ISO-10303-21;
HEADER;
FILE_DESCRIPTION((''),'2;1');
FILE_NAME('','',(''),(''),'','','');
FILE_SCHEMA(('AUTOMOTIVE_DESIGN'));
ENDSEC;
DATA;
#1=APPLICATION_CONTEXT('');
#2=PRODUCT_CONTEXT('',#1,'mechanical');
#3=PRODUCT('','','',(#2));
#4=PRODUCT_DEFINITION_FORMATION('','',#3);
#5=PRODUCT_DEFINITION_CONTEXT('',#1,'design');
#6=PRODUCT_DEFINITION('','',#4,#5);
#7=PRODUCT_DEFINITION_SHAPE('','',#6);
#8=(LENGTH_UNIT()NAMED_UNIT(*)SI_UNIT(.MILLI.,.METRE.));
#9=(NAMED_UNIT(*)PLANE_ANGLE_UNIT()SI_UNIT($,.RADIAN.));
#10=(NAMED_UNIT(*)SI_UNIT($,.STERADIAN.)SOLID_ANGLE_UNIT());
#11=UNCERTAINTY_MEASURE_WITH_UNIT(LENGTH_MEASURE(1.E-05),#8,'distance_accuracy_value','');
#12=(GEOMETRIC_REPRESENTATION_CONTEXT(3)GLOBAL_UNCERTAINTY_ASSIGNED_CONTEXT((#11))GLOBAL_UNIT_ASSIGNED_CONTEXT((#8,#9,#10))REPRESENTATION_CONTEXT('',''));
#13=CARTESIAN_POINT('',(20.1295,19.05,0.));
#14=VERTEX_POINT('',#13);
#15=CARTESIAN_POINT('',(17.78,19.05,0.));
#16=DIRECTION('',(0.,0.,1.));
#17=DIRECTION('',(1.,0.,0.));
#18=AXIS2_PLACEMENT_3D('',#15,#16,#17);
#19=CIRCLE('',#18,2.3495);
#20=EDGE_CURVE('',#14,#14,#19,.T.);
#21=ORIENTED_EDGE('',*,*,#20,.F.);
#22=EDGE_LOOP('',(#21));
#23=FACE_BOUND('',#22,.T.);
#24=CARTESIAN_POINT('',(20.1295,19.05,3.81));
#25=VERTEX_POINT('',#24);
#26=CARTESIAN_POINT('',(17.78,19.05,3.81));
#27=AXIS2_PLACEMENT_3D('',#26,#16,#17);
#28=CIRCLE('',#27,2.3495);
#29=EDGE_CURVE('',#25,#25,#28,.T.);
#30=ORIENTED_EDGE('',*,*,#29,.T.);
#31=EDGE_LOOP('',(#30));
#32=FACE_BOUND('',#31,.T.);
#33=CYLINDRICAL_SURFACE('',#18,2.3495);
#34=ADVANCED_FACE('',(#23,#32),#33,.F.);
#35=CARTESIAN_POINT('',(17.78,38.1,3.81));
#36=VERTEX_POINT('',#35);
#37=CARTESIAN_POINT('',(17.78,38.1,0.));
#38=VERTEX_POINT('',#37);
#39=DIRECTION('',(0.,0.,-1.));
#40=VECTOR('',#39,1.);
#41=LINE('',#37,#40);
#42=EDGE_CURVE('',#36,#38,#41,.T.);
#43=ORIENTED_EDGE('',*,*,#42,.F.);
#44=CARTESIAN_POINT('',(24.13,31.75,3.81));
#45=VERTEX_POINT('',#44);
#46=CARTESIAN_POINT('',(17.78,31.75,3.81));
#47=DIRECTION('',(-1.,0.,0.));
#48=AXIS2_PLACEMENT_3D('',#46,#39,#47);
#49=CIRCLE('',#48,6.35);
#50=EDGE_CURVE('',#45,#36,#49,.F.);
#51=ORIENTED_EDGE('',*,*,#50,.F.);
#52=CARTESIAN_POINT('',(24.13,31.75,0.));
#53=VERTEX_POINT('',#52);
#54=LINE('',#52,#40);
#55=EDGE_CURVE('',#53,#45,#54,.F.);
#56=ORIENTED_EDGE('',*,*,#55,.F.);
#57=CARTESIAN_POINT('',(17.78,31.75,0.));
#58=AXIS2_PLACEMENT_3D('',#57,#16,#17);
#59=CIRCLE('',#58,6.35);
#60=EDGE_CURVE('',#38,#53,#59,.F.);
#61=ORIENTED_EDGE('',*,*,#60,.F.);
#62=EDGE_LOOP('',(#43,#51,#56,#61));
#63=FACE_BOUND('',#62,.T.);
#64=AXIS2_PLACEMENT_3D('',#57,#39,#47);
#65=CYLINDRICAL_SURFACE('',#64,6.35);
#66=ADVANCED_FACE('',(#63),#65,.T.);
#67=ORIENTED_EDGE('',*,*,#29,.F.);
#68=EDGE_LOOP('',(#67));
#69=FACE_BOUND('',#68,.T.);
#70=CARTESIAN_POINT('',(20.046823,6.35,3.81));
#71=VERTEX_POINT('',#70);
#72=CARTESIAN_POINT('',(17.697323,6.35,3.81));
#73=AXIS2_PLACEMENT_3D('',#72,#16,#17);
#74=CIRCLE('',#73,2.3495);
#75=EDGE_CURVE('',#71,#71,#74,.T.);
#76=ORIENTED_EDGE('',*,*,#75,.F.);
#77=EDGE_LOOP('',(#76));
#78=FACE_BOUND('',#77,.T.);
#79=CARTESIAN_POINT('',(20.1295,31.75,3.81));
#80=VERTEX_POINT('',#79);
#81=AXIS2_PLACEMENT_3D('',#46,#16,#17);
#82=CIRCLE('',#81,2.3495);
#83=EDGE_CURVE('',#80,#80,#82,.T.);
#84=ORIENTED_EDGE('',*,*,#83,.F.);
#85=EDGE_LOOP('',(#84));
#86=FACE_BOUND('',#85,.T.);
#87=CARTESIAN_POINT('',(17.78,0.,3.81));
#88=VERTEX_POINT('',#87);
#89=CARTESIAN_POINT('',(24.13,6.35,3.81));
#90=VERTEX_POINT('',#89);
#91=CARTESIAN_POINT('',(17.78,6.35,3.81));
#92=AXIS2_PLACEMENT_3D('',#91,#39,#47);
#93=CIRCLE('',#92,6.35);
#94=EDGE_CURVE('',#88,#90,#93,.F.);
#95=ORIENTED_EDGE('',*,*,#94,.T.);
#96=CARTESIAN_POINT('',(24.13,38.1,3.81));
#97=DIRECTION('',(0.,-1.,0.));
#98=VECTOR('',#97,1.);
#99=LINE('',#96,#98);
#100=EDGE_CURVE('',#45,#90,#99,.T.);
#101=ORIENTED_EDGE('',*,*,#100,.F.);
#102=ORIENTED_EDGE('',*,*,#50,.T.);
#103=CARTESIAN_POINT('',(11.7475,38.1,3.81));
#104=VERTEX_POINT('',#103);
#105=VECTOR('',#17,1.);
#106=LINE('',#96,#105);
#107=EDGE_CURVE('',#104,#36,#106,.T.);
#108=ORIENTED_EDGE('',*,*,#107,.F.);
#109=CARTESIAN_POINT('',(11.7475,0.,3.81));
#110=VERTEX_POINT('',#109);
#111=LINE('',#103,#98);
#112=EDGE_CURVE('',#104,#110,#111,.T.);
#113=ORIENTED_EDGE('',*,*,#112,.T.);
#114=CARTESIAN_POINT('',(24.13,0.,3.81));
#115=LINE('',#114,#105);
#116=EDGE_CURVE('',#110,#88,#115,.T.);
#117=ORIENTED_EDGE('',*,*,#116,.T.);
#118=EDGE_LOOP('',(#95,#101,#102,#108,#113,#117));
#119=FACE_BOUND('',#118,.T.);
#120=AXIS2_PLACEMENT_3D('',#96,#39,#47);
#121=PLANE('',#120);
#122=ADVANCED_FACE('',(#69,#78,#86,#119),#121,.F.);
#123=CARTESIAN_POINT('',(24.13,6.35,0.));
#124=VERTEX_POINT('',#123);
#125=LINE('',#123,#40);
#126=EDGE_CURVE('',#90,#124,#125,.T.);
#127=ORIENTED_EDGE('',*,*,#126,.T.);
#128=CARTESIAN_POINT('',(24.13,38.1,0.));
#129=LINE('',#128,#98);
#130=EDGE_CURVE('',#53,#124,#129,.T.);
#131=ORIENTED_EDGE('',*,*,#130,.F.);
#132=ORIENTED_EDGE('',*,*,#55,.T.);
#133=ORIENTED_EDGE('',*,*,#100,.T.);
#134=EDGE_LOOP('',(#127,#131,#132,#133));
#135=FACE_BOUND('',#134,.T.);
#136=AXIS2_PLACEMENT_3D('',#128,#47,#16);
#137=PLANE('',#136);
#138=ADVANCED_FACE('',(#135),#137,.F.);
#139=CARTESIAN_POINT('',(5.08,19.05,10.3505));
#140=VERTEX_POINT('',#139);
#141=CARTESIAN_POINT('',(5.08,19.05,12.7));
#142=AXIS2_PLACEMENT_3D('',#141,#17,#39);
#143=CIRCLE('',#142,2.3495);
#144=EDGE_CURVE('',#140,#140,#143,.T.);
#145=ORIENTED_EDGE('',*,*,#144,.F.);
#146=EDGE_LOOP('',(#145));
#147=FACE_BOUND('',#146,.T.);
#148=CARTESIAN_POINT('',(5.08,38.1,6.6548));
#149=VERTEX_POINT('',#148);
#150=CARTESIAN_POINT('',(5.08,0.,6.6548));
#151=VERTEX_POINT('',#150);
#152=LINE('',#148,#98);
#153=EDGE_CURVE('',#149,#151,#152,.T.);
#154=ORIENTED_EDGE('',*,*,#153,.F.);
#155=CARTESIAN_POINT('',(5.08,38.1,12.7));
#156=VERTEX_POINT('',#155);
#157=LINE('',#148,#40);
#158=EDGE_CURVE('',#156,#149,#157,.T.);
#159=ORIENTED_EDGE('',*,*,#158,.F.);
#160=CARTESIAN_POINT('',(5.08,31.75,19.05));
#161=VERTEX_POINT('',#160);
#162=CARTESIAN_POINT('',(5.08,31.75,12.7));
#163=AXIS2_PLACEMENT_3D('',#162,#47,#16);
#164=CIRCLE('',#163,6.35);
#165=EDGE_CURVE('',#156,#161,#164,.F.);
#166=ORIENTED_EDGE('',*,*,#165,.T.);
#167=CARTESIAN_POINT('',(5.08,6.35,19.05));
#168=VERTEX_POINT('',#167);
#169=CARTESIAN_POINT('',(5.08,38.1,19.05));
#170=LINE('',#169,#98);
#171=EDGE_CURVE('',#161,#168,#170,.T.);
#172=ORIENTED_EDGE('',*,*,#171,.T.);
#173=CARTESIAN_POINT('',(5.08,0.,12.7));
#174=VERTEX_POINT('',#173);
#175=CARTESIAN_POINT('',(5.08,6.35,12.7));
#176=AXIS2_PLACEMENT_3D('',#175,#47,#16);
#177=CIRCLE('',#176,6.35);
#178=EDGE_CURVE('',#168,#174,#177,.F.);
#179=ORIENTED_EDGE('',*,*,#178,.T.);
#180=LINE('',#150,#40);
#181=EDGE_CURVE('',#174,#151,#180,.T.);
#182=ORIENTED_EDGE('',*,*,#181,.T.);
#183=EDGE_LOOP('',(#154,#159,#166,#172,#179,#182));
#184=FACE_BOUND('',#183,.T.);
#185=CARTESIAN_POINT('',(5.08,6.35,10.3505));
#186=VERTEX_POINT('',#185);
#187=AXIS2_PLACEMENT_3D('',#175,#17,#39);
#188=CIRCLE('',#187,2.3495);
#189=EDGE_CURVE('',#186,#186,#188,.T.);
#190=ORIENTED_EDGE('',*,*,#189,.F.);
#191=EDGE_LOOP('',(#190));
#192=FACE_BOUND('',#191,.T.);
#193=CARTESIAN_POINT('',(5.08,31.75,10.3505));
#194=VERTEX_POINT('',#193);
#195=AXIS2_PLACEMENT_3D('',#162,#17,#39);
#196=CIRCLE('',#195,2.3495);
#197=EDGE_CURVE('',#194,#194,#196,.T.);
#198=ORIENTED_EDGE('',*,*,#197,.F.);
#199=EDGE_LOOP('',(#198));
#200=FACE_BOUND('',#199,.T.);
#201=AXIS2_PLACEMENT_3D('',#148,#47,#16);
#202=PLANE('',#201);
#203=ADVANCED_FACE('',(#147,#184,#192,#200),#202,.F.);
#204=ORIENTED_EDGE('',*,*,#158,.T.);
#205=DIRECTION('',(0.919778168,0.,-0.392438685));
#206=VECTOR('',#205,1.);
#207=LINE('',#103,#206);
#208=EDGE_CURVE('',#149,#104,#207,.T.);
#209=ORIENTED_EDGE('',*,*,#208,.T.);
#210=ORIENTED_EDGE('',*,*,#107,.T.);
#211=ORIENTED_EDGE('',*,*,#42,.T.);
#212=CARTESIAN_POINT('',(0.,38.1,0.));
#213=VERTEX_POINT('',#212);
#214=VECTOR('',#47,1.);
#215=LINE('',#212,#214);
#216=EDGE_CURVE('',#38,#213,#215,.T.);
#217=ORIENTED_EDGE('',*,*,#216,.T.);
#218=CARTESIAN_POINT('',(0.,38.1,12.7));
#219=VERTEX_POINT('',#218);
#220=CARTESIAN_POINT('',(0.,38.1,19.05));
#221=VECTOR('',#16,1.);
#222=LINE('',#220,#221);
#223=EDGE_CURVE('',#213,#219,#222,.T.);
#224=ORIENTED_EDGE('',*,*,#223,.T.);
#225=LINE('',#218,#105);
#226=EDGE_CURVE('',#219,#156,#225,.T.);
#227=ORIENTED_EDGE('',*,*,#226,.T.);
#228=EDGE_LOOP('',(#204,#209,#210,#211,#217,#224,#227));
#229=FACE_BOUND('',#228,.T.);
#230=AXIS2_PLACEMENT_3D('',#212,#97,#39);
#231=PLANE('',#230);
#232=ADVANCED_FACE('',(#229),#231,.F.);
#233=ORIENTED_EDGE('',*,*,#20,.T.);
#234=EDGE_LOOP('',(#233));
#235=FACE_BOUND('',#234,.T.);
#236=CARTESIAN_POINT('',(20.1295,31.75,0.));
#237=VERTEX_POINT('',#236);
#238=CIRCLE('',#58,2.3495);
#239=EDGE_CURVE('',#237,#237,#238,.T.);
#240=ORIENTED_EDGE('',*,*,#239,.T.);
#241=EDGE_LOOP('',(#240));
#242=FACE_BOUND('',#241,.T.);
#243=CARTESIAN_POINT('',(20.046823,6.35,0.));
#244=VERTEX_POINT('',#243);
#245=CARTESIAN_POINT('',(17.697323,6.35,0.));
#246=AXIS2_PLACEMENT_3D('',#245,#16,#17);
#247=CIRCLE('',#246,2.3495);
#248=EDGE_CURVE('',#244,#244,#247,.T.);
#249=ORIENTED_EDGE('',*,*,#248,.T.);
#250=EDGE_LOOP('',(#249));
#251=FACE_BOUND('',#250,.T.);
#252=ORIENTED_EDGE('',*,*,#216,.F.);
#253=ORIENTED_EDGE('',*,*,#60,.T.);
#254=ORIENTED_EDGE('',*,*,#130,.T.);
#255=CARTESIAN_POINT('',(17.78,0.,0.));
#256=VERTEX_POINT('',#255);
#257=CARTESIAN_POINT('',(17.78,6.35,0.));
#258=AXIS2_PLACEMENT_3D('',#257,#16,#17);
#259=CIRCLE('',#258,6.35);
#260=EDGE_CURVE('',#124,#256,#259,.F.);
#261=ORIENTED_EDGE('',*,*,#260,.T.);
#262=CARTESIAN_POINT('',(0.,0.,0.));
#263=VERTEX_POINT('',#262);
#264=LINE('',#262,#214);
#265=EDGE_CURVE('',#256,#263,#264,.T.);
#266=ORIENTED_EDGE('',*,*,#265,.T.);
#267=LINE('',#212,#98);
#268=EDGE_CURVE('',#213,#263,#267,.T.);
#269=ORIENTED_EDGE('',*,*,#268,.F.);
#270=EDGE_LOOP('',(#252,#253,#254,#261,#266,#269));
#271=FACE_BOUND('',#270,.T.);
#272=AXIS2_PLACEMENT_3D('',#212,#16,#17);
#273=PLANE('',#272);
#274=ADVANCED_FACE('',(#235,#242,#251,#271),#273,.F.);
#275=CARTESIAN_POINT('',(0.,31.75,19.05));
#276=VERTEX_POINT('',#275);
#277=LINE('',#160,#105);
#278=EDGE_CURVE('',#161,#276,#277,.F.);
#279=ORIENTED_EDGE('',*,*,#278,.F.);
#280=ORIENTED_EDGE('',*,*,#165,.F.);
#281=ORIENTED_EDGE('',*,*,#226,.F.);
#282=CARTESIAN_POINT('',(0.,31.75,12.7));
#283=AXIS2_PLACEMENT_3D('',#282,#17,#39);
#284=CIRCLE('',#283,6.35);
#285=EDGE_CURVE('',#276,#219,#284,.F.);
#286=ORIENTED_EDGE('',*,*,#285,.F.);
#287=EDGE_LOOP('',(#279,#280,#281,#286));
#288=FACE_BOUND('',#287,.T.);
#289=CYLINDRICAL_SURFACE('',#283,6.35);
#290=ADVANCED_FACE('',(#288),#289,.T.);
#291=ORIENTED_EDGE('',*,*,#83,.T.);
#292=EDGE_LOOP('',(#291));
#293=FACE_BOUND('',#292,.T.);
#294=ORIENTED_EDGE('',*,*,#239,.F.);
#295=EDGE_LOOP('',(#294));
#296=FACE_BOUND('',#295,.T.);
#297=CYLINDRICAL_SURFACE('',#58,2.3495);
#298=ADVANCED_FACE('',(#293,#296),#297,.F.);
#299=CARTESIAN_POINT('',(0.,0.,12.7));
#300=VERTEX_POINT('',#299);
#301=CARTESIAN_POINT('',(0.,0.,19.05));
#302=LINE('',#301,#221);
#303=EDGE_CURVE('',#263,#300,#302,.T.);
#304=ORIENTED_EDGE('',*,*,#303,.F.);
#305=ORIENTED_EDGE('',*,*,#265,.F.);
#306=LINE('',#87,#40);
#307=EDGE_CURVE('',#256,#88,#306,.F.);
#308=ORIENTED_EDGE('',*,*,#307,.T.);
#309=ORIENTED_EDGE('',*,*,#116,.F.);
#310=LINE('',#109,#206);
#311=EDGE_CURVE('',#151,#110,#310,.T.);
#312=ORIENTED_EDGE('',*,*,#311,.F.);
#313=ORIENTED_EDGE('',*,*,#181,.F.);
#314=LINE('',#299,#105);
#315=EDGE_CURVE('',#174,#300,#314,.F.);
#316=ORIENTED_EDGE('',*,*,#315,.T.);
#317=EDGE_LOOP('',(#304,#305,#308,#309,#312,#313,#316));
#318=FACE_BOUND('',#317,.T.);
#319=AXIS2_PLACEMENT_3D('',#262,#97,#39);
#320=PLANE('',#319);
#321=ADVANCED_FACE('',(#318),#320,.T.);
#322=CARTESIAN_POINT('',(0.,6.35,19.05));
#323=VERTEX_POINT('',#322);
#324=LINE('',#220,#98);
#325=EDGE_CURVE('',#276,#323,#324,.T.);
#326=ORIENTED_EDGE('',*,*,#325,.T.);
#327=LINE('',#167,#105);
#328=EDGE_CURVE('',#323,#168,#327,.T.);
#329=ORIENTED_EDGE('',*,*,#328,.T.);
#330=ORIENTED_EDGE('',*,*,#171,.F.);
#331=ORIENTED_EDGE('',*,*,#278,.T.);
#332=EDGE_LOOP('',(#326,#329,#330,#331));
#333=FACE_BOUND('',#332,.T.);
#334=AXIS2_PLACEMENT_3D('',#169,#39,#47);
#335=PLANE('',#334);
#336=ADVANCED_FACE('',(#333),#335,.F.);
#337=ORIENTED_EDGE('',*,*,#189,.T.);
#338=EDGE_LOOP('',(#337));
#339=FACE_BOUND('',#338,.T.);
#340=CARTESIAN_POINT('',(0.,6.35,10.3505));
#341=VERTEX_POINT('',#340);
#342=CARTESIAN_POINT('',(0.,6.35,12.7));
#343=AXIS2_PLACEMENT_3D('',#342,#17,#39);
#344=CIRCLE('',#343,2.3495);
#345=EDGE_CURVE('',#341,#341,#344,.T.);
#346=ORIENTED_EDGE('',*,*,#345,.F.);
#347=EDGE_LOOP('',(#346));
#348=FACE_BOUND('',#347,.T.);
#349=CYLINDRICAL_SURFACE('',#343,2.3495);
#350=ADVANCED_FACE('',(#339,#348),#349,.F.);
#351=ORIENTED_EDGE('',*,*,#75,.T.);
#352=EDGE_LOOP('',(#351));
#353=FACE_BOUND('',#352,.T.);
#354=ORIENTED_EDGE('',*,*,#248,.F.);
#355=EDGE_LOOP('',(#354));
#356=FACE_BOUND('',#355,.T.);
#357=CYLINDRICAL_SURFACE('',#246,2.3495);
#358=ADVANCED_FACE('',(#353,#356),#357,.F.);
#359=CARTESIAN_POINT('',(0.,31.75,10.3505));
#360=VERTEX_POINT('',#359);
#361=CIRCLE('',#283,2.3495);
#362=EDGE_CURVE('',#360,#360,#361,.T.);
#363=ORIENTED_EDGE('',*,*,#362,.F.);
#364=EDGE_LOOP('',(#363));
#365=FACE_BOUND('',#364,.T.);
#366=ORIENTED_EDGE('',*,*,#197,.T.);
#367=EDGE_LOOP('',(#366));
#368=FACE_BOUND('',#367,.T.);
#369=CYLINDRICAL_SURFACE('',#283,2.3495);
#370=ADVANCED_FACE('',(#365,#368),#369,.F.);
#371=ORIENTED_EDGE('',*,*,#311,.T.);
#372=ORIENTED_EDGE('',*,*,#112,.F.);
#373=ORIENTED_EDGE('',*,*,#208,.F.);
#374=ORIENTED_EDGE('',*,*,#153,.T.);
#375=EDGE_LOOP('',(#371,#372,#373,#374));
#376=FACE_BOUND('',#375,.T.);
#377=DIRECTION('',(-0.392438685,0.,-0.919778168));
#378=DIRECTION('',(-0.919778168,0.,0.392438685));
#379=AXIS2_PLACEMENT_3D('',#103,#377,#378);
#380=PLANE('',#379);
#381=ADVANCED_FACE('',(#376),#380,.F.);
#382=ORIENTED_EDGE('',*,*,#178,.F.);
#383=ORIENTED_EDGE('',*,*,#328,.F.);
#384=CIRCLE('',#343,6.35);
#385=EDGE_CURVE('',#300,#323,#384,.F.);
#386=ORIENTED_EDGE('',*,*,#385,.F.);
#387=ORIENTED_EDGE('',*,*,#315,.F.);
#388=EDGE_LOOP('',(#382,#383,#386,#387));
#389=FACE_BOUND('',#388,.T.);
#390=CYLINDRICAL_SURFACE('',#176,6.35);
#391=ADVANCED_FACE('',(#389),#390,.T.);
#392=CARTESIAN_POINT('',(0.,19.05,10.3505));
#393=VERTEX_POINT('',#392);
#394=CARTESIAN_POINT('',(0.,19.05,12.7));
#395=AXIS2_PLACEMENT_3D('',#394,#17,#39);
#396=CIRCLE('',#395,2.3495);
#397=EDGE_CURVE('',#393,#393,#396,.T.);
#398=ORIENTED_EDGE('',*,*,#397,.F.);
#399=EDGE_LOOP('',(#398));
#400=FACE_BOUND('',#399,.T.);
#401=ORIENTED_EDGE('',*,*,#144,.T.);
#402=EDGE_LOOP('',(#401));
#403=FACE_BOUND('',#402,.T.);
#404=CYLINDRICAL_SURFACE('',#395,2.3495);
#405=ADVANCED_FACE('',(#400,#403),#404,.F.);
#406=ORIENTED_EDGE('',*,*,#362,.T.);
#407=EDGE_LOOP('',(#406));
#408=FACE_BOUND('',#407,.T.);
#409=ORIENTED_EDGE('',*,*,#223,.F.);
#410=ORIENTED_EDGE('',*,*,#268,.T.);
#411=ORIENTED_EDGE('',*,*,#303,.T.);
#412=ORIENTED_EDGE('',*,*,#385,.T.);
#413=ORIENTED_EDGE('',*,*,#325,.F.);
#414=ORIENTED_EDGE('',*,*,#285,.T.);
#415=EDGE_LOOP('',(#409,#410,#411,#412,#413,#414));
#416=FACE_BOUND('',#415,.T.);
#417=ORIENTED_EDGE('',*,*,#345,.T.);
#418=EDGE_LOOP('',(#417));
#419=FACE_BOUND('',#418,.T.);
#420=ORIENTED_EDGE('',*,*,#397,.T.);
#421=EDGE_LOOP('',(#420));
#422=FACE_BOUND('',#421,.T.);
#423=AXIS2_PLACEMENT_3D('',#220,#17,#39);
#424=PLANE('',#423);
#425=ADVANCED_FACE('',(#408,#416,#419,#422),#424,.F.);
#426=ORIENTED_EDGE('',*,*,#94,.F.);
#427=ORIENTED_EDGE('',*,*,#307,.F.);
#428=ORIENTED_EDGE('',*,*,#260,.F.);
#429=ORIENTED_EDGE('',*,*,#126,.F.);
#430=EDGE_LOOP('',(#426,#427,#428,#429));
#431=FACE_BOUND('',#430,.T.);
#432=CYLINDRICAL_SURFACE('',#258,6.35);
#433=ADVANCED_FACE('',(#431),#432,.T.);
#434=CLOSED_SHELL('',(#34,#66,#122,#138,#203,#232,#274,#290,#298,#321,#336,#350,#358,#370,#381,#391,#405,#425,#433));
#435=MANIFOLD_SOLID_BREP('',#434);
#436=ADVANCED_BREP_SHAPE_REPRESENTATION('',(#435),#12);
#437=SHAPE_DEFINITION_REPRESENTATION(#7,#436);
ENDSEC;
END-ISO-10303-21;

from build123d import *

# Parameters (mm, degrees)
BASE_EXTRUDE_DEPTH      = 38.1
SKETCH2_R               = 2.3495
MOTOR_HOLE_CUT_DEPTH    = 48.603828628
SKETCH3_R               = 2.3495
MOUNTING_HOLE_CUT_DEPTH = 47.6627796
CORNER_FILLETS_R        = 6.35


with BuildPart() as part:
    # Sketch1 → Base Extrude (new body)
    with BuildSketch(Plane(origin=(0, 0, 0), x_dir=(1, 0, 0), z_dir=(0, 1, 0))):
        Polygon((0, 0), (24.13, 0), (24.13, -3.81), (11.7475, -3.81), (5.08, -6.6548), (5.08, -19.05), (0, -19.05), align=None)
    extrude(amount=BASE_EXTRUDE_DEPTH)

    # Sketch2 → Motor Hole Cut (cut, through all)
    with BuildSketch(Plane.XY.offset(3.81)):
        with Locations((17.697323232, 6.35)):
            Circle(SKETCH2_R)
        with Locations((17.78, 19.05)):
            Circle(SKETCH2_R)
        with Locations((17.78, 31.75)):
            Circle(SKETCH2_R)
    extrude(amount=-MOTOR_HOLE_CUT_DEPTH, mode=Mode.SUBTRACT)

    # Sketch3 → Mounting Hole Cut (cut, through all)
    with BuildSketch(Plane(origin=(5.08, 0, 0), x_dir=(0, 0, -1), z_dir=(1, 0, 0))):
        with Locations((-12.7, 31.75)):
            Circle(SKETCH3_R)
        with Locations((-12.7, 19.05)):
            Circle(SKETCH3_R)
        with Locations((-12.7, 6.35)):
            Circle(SKETCH3_R)
    extrude(amount=-MOUNTING_HOLE_CUT_DEPTH, mode=Mode.SUBTRACT)

    # Corner Fillets
    corner_fillets_edges = [part.edges().sort_by_distance(p)[0] for p in [
        (24.13, 38.1, 1.905),
        (24.13, 0, 1.905),
        (2.54, 38.1, 19.05),
        (2.54, 0, 19.05),
    ]]
    fillet(corner_fillets_edges, radius=CORNER_FILLETS_R)


solid = part.part
